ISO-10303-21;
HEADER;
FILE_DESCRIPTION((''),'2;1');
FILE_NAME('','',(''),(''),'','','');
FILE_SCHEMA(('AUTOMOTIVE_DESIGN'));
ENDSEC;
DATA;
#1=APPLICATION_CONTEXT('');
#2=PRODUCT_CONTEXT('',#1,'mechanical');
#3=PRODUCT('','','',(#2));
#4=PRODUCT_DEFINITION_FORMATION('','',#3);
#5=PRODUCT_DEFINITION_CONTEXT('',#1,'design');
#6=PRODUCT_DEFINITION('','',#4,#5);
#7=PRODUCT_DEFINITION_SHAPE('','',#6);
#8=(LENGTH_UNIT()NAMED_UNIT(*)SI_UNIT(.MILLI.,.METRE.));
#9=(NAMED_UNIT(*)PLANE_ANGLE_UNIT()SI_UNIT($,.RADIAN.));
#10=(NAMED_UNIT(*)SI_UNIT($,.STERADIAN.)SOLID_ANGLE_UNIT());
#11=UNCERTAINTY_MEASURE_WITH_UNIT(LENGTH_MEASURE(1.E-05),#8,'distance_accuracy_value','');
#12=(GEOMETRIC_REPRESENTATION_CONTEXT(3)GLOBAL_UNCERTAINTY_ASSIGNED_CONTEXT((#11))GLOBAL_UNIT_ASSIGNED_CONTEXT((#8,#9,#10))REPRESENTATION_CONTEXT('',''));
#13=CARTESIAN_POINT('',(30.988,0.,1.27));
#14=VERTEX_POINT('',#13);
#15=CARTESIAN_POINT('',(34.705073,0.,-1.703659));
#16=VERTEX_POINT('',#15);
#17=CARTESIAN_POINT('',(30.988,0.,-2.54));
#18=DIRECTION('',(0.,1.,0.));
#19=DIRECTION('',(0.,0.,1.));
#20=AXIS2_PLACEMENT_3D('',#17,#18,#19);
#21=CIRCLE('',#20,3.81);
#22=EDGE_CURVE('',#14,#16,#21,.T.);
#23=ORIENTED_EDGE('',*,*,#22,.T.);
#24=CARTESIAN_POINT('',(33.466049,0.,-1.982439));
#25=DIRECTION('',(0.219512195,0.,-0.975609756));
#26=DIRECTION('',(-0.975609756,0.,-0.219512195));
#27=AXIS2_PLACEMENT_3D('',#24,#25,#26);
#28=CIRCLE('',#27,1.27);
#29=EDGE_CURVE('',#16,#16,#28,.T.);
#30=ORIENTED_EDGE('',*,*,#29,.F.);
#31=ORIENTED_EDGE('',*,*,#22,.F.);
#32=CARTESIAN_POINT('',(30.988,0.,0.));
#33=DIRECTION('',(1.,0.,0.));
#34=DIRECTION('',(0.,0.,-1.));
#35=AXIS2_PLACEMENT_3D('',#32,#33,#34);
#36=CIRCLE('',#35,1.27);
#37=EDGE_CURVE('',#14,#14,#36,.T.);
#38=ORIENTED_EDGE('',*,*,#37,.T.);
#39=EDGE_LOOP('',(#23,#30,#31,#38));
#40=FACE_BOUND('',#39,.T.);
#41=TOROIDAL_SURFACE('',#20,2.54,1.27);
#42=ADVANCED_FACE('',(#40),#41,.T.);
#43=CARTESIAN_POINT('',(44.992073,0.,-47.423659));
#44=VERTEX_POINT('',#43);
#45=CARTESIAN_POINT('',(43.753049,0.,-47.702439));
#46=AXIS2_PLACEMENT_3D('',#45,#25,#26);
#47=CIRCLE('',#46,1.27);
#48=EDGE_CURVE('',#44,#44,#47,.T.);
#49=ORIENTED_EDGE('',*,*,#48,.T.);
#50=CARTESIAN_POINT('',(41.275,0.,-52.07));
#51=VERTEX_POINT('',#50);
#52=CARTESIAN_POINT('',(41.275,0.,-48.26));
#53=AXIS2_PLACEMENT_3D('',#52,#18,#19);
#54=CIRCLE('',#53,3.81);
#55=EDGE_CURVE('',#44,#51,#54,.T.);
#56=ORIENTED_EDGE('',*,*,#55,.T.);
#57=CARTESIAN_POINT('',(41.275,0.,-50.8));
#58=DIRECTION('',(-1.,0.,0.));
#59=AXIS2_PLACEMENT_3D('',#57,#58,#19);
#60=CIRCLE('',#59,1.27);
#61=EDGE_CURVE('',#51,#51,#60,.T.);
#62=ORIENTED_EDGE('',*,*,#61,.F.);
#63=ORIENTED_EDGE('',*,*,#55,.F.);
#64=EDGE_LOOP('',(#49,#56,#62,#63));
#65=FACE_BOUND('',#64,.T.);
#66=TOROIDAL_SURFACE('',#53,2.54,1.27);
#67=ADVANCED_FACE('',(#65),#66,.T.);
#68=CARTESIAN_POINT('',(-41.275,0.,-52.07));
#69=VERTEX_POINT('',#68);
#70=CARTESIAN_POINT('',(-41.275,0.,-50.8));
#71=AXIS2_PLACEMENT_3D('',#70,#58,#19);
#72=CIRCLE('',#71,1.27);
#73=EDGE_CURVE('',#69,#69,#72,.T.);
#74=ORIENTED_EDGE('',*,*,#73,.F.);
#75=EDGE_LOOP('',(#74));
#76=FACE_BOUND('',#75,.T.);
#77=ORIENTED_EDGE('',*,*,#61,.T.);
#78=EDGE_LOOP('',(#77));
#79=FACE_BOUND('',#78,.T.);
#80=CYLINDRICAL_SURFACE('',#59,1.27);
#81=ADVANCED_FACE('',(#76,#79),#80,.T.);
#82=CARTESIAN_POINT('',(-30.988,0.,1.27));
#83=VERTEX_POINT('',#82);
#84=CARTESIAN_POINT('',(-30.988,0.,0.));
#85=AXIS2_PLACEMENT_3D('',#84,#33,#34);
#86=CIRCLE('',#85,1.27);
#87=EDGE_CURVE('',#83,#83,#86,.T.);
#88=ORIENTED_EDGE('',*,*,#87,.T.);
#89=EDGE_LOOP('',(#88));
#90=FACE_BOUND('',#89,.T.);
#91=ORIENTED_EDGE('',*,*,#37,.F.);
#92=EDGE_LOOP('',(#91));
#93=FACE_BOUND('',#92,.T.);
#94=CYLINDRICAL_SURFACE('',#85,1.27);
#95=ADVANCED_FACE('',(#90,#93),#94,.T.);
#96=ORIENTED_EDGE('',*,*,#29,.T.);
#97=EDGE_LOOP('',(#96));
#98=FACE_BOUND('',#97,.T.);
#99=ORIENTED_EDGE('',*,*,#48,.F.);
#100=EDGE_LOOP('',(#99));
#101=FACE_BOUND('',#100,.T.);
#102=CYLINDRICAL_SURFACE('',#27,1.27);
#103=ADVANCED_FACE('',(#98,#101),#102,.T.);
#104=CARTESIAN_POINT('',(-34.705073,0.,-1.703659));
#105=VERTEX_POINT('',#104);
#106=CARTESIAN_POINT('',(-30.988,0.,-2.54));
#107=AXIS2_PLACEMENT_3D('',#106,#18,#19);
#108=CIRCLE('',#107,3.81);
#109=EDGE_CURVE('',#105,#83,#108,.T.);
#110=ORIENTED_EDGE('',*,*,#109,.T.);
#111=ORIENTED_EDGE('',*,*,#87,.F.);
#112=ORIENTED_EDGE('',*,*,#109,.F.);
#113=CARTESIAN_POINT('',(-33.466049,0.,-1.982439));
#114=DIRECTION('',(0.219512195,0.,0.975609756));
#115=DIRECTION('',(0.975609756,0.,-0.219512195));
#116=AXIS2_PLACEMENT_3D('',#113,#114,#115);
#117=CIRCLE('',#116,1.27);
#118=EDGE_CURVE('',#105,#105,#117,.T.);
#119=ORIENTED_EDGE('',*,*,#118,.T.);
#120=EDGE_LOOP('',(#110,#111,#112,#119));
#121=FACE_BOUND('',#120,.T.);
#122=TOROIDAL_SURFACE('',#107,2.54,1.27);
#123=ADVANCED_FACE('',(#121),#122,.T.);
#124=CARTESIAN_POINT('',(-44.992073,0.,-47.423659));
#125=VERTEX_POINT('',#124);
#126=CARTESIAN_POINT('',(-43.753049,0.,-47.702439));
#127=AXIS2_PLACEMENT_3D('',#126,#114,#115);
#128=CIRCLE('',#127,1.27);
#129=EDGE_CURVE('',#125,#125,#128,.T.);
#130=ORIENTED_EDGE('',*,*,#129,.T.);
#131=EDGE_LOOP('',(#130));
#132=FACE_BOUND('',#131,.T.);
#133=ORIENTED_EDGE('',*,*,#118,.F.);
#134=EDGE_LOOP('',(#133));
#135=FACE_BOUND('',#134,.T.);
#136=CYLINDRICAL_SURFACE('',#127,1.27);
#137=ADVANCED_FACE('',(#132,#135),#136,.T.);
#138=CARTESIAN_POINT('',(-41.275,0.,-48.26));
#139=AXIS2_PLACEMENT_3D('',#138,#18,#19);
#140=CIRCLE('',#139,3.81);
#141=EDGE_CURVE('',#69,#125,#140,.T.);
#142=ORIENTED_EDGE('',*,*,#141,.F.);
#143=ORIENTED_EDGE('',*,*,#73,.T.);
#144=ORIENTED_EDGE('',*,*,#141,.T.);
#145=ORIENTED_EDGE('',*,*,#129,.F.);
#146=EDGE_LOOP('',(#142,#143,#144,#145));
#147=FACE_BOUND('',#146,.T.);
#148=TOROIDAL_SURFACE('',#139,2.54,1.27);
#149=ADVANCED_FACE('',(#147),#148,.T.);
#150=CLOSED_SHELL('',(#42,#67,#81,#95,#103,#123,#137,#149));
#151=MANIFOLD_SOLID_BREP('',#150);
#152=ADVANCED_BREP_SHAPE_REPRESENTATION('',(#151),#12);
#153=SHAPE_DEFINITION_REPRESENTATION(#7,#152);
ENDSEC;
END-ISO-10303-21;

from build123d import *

# Parameters (mm, degrees)
SWEEP1_PROFILE_R = 1.27


with BuildPart() as part:
    # Sweep1: sweep along a path in Sketch1
    with BuildLine(Plane(origin=(0, 0, 0), x_dir=(1, 0, 0), z_dir=(0, 1, 0))) as sweep1_path:
        Line((-41.275, 50.8), (41.275, 50.8))
        ThreePointArc((41.275, 50.8), (43.258406776, 49.846725421), (43.75304878, 47.702439024))
        Line((43.75304878, 47.702439024), (33.46604878, 1.982439024))
        ThreePointArc((33.46604878, 1.982439024), (32.574725421, 0.556593224), (30.988, 0))
        Line((30.988, 0), (-30.988, 0))
        ThreePointArc((-30.988, 0), (-32.574725421, 0.556593224), (-33.46604878, 1.982439024))
        Line((-33.46604878, 1.982439024), (-43.75304878, 47.702439024))
        ThreePointArc((-43.75304878, 47.702439024), (-43.258406776, 49.846725421), (-41.275, 50.8))
    # Sweep1 profile (on start of the path) → Sweep1 (sweep)
    with BuildSketch(Plane(origin=(-41.275, 0, -50.8), x_dir=(0, 0, 1), z_dir=(1, 0, 0))):
        Circle(SWEEP1_PROFILE_R)
    sweep(path=sweep1_path.line)


solid = part.part
